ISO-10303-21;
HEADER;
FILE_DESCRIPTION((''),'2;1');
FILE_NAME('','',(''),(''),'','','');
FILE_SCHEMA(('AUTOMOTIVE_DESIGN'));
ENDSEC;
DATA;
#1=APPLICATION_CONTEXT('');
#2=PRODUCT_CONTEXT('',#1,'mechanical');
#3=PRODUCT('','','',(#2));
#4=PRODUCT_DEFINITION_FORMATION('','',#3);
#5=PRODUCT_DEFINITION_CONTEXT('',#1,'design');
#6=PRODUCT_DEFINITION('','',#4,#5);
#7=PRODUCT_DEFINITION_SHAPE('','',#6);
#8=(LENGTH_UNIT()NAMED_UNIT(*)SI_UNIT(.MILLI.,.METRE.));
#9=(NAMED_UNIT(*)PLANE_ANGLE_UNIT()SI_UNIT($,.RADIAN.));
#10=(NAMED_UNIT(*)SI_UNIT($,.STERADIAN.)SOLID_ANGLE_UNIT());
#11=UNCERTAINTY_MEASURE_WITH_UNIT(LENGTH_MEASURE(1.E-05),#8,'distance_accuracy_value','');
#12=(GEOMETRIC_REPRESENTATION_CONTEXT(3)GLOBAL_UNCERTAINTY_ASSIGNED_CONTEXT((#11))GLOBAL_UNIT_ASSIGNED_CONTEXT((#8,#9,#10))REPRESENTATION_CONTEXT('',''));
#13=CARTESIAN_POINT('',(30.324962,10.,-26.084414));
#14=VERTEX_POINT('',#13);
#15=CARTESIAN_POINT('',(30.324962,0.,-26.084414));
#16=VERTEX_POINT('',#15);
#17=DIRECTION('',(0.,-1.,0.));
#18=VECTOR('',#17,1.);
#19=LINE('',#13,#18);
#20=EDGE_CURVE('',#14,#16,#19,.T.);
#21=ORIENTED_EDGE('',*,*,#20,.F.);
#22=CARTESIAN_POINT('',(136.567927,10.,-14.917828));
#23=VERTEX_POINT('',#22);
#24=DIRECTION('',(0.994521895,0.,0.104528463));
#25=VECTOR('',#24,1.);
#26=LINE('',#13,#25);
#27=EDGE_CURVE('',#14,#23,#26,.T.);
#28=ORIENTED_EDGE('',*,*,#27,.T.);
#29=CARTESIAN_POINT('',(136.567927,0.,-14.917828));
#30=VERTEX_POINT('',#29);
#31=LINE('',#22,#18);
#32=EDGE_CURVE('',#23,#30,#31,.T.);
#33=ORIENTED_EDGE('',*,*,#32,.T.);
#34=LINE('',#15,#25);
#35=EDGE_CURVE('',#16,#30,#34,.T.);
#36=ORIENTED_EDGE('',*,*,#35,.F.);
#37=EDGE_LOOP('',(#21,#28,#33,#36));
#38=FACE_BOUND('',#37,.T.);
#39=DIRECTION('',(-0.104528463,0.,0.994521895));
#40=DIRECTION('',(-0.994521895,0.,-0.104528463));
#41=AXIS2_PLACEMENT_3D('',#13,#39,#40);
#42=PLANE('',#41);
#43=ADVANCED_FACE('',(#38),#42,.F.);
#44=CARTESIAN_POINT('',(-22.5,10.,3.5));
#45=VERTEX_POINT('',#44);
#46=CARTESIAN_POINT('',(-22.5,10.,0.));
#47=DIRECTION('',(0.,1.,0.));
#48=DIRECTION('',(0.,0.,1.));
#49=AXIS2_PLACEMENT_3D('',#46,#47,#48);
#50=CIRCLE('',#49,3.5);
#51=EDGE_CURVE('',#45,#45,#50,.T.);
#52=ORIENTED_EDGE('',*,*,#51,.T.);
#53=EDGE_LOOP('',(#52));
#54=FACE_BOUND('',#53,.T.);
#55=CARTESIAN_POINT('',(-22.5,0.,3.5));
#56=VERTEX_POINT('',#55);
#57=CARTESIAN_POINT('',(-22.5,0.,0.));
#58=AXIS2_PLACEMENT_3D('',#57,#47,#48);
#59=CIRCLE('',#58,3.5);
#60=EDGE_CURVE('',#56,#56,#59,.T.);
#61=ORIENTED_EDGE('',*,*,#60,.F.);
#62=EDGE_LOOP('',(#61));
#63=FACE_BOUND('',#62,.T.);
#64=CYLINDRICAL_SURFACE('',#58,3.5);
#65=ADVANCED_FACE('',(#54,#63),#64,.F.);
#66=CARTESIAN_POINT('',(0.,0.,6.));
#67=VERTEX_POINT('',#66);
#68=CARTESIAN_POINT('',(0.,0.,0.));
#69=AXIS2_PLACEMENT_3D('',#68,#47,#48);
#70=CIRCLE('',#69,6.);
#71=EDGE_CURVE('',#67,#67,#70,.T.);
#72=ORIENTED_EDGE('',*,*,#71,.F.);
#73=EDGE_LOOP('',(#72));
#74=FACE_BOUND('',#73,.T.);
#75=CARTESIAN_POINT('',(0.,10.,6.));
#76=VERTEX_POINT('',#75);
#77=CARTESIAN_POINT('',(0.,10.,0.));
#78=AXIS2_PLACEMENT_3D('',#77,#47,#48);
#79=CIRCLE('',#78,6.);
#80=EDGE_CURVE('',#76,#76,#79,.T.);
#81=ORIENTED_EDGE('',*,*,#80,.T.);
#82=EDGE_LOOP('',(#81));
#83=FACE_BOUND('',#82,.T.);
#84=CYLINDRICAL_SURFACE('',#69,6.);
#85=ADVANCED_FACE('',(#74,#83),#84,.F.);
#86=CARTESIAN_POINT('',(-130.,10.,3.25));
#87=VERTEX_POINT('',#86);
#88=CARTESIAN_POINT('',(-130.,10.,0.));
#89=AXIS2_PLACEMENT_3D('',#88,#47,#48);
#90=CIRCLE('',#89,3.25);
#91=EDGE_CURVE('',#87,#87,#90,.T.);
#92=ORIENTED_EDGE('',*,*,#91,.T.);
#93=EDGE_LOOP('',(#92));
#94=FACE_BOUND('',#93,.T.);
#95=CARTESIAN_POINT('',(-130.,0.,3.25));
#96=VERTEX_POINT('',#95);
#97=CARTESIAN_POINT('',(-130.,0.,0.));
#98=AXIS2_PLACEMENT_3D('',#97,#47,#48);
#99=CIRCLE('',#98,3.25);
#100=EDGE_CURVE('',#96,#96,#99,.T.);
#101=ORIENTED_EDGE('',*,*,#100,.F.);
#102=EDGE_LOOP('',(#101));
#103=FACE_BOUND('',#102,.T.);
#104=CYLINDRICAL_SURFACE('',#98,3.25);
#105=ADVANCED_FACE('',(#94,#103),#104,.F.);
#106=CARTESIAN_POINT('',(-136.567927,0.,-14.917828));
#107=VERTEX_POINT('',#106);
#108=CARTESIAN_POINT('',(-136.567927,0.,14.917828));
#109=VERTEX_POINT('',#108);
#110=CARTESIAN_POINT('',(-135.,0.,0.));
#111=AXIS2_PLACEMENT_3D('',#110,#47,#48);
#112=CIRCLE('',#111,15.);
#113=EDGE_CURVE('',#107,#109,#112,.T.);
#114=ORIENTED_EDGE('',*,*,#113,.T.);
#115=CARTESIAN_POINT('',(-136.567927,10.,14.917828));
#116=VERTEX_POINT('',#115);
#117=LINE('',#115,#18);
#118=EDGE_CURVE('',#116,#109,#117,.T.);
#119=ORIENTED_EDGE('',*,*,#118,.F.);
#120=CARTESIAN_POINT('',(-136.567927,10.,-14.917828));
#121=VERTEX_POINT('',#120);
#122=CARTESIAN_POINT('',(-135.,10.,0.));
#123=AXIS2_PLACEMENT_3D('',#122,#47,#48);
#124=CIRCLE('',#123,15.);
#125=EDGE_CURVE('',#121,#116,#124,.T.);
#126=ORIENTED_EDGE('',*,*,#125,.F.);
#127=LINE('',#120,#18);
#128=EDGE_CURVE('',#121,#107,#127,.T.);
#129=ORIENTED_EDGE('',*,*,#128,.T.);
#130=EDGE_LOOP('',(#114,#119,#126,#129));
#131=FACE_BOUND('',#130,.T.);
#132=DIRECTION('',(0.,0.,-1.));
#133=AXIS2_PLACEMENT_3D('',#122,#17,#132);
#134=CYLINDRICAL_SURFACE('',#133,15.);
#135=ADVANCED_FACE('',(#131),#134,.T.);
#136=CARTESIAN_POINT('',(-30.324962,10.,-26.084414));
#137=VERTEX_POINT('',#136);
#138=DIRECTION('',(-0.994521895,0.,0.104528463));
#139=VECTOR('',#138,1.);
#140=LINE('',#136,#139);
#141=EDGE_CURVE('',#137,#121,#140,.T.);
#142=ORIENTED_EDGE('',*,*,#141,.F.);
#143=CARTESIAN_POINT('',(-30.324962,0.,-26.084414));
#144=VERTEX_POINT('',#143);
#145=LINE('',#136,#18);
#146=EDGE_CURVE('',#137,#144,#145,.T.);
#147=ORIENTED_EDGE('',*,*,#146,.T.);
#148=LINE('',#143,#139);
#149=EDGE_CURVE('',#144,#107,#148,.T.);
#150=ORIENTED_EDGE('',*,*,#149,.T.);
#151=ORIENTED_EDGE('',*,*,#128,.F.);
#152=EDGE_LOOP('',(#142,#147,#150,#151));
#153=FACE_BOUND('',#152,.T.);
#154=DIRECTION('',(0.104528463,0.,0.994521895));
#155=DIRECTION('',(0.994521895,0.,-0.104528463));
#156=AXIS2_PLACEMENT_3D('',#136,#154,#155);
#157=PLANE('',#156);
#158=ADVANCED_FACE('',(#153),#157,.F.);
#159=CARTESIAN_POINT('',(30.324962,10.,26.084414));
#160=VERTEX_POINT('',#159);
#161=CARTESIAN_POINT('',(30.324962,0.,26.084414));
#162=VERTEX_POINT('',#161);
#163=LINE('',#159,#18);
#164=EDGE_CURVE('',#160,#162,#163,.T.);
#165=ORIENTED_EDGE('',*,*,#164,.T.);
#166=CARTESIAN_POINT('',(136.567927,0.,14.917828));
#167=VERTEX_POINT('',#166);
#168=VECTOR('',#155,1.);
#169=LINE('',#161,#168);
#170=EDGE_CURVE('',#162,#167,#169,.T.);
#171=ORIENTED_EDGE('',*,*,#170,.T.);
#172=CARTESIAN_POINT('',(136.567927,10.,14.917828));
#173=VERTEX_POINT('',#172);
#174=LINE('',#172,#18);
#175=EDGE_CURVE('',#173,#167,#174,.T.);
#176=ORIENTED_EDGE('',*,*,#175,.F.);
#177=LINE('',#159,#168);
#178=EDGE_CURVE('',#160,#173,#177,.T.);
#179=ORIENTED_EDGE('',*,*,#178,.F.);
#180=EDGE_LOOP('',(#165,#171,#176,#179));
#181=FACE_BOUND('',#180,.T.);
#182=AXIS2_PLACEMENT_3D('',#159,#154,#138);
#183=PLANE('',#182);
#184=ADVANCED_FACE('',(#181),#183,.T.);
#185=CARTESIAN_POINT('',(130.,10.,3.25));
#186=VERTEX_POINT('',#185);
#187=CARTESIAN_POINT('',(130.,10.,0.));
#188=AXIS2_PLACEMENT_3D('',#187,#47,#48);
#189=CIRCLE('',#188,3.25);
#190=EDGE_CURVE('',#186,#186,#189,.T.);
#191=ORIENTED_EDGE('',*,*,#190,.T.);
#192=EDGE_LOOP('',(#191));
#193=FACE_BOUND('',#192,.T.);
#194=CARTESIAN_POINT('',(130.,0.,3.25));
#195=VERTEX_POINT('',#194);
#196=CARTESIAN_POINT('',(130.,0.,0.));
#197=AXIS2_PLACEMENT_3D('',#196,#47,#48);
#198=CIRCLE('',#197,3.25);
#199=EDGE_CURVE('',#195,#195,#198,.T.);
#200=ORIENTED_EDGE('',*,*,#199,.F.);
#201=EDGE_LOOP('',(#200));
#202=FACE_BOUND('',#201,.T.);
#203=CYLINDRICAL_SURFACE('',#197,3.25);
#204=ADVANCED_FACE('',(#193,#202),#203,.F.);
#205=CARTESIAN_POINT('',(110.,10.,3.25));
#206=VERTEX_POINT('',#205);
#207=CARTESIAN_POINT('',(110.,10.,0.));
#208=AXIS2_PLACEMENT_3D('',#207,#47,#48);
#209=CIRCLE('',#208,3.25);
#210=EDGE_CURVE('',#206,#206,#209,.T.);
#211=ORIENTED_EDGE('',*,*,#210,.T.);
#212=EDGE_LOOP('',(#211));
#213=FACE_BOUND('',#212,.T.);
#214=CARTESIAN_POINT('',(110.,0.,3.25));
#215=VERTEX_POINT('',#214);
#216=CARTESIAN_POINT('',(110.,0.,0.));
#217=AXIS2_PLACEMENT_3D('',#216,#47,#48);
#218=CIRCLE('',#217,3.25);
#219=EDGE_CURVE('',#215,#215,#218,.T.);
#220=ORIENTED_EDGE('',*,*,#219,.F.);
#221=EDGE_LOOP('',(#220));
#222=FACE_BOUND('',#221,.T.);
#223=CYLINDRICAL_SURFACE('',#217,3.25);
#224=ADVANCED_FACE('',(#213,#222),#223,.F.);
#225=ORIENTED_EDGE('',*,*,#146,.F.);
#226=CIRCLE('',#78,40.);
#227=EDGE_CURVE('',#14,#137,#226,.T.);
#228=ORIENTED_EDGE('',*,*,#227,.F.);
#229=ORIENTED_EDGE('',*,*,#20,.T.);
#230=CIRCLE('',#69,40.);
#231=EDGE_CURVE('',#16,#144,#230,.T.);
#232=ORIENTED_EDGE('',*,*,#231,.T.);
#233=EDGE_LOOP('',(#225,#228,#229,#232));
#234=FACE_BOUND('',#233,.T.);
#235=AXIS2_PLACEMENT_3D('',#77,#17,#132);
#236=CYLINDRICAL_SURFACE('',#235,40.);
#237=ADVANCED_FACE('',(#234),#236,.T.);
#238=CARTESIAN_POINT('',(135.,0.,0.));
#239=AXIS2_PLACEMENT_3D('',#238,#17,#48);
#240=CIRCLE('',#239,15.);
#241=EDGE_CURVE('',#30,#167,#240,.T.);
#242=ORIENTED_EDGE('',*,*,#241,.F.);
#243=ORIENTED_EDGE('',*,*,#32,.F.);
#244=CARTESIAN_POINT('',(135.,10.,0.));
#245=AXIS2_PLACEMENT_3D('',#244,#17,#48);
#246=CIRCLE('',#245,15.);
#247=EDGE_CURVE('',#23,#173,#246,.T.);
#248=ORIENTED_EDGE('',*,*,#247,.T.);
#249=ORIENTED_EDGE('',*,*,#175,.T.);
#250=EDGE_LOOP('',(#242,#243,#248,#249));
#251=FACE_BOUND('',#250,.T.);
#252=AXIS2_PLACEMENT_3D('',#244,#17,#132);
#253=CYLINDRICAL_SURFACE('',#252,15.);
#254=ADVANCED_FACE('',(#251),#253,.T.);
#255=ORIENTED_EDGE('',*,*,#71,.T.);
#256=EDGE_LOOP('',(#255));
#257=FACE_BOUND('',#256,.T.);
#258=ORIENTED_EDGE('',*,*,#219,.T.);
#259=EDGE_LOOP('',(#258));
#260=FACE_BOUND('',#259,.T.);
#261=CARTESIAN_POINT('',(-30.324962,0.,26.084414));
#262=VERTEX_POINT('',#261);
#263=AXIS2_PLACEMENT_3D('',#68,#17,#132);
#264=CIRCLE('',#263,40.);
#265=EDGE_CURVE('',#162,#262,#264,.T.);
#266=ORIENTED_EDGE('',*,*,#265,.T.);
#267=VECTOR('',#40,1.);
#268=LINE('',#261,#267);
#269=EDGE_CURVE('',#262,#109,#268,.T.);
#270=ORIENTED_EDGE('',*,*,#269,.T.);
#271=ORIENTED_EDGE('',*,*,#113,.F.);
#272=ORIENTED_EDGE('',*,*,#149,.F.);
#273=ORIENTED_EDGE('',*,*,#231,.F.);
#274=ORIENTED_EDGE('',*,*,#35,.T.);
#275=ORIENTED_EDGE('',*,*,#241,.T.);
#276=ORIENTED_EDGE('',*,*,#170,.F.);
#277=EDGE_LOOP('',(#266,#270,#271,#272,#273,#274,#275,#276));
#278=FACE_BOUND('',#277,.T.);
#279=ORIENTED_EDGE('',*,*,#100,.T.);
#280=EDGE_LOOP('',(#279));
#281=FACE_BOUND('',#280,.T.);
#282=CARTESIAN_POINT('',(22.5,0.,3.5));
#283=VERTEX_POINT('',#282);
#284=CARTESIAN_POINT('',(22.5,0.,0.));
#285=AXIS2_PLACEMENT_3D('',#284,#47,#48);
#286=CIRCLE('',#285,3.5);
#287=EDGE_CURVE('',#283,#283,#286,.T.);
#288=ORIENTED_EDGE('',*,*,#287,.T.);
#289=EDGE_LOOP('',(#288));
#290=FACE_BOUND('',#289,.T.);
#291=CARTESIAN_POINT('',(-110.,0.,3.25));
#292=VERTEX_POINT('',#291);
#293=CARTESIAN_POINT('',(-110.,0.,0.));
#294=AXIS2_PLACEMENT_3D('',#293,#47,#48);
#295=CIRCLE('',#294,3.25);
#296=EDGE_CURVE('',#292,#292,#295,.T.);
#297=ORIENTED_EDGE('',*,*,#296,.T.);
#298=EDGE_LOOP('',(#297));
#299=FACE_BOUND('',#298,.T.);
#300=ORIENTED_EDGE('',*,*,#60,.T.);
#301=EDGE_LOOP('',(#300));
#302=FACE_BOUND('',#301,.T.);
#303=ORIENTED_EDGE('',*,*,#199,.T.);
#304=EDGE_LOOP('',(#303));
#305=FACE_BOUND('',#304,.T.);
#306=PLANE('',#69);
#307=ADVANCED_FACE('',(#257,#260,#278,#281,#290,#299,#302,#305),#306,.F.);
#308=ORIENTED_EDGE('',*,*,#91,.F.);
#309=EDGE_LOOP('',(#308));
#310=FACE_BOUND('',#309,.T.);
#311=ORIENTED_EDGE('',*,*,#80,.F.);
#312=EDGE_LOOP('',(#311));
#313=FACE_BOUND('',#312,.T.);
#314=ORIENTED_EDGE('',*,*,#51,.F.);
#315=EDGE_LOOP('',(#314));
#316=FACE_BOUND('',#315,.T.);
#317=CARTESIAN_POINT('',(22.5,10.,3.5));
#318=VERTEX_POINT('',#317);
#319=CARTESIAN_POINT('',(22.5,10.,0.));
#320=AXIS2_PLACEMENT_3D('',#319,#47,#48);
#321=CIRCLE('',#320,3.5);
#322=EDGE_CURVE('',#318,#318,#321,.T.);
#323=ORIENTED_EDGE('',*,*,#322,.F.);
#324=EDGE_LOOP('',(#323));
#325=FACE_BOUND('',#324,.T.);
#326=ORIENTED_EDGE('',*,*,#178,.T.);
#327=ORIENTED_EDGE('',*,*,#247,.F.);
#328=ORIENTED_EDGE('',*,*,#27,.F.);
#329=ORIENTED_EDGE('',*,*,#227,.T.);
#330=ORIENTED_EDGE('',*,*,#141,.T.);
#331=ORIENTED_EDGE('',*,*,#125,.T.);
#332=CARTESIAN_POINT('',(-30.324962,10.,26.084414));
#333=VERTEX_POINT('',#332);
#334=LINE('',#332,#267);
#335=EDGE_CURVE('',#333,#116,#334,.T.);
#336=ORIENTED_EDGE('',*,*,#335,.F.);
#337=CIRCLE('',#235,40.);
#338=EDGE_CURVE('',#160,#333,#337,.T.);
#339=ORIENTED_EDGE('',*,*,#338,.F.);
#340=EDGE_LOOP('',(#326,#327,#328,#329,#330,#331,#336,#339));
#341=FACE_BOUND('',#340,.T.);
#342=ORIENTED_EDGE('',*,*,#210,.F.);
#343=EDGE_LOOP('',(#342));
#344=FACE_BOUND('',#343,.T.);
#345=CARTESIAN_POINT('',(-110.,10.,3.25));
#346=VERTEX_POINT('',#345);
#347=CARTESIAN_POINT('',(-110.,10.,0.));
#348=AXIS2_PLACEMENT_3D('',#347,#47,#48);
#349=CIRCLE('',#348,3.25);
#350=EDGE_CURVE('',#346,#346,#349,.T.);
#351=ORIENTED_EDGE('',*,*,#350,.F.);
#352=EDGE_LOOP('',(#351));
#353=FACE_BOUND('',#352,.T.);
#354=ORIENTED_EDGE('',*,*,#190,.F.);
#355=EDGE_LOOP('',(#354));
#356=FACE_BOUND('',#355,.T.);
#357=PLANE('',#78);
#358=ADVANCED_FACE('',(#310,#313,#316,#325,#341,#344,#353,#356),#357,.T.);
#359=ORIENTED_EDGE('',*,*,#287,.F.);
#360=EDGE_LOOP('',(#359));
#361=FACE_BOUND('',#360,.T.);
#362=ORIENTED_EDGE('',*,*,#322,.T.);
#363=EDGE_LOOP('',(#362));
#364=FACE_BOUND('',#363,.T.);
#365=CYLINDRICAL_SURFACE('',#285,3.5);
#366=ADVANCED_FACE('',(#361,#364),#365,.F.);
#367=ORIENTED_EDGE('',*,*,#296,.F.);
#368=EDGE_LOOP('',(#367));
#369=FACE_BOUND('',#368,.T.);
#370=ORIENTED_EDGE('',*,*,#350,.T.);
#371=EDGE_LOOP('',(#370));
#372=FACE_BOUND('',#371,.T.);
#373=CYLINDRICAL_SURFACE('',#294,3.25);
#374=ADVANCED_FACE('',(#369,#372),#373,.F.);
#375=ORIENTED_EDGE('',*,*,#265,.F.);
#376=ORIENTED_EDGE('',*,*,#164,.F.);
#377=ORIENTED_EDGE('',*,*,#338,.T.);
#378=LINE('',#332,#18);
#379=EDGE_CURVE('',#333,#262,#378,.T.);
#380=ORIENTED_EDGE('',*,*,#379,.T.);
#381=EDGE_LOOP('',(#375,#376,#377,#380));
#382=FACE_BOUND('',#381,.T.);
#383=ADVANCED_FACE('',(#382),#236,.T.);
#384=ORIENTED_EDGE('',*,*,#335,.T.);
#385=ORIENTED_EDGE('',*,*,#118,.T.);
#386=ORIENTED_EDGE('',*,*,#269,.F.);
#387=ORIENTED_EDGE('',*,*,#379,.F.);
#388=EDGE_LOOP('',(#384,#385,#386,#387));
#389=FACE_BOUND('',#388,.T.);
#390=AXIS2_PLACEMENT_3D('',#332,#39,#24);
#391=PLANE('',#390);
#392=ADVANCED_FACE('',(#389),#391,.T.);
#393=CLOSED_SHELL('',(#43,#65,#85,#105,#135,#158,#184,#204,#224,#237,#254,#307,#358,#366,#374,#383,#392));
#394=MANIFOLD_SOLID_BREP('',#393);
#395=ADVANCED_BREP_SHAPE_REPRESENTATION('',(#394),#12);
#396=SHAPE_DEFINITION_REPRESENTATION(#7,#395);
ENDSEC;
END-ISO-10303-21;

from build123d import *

# Parameters (mm, degrees)
BOSS_EXTRU_1_DEPTH      = 10
SYM_TRIE8_COPY_1_DEPTH  = 10
ESQUISSE2_R             = 3.5
ESQUISSE2_R_2           = 6
ESQUISSE2_R_3           = 3.25
ENL_V_MAT_EXTRU_1_DEPTH = 10


with BuildPart() as part:
    # Esquisse1 → Boss.-Extru.1 (new body)
    with BuildSketch(Plane(origin=(0, 0, 0), x_dir=(1, 0, 0), z_dir=(0, 1, 0))):
        with BuildLine():
            Line((-30.324962458, 26.084413966), (-136.567926949, 14.917828431))
            ThreePointArc((-136.567926949, 14.917828431), (-146.147172382, 10.036959095), (-150, 0))
            Line((-150, 0), (0, 0))
            Line((0, 0), (0, 40))
            ThreePointArc((0, 40), (-16.682677264, 36.355031004), (-30.324962458, 26.084413966))
        make_face()
    boss_extru_1 = extrude(amount=BOSS_EXTRU_1_DEPTH)

    # Symétrie1: Boss.-Extru.1 across plane
    add(boss_extru_1.mirror(Plane(origin=(-150, 10, 0), x_dir=(1, 0, 0), z_dir=(0, 0, -1))))

    # Symétrie8: Boss.-Extru.1 across plane
    add(boss_extru_1.mirror(Plane(origin=(0, 0, 0), x_dir=(0, 0, 1), z_dir=(1, 0, 0))))

    # Symétrie8 copy 1 sketch → Symétrie8 copy 1 (add)
    with BuildSketch(Plane(origin=(0, 0, 0), x_dir=(-1, 0, 0), z_dir=(0, 1, 0))):
        with BuildLine():
            Line((-30.324962458, 26.084413966), (-136.567926949, 14.917828431))
            ThreePointArc((-136.567926949, 14.917828431), (-146.147172382, 10.036959095), (-150, 0))
            Line((-150, 0), (0, 0))
            Line((0, 0), (0, 40))
            ThreePointArc((0, 40), (-16.682677264, 36.355031004), (-30.324962458, 26.084413966))
        make_face()
    extrude(amount=SYM_TRIE8_COPY_1_DEPTH)

    # Esquisse2 → Enlèv. mat.-Extru.1 (cut)
    with BuildSketch(Plane(origin=(0, 10, 0), x_dir=(1, 0, 0), z_dir=(0, 1, 0))):
        with Locations(Location((-22.5, 0, 0), (0, 0, 270))):
            Circle(ESQUISSE2_R)
        with Locations(Location((22.5, 0, 0), (0, 0, 270))):
            Circle(ESQUISSE2_R)
        with Locations(Location((0, 0, 0), (0, 0, 270))):
            Circle(ESQUISSE2_R_2)
        with Locations(Location((-110, 0, 0), (0, 0, 270))):
            Circle(ESQUISSE2_R_3)
        with Locations(Location((-130, 0, 0), (0, 0, 270))):
            Circle(ESQUISSE2_R_3)
        with Locations(Location((110, 0, 0), (0, 0, 270))):
            Circle(ESQUISSE2_R_3)
        with Locations(Location((130, 0, 0), (0, 0, 270))):
            Circle(ESQUISSE2_R_3)
    extrude(amount=-ENL_V_MAT_EXTRU_1_DEPTH, mode=Mode.SUBTRACT)


solid = part.part
